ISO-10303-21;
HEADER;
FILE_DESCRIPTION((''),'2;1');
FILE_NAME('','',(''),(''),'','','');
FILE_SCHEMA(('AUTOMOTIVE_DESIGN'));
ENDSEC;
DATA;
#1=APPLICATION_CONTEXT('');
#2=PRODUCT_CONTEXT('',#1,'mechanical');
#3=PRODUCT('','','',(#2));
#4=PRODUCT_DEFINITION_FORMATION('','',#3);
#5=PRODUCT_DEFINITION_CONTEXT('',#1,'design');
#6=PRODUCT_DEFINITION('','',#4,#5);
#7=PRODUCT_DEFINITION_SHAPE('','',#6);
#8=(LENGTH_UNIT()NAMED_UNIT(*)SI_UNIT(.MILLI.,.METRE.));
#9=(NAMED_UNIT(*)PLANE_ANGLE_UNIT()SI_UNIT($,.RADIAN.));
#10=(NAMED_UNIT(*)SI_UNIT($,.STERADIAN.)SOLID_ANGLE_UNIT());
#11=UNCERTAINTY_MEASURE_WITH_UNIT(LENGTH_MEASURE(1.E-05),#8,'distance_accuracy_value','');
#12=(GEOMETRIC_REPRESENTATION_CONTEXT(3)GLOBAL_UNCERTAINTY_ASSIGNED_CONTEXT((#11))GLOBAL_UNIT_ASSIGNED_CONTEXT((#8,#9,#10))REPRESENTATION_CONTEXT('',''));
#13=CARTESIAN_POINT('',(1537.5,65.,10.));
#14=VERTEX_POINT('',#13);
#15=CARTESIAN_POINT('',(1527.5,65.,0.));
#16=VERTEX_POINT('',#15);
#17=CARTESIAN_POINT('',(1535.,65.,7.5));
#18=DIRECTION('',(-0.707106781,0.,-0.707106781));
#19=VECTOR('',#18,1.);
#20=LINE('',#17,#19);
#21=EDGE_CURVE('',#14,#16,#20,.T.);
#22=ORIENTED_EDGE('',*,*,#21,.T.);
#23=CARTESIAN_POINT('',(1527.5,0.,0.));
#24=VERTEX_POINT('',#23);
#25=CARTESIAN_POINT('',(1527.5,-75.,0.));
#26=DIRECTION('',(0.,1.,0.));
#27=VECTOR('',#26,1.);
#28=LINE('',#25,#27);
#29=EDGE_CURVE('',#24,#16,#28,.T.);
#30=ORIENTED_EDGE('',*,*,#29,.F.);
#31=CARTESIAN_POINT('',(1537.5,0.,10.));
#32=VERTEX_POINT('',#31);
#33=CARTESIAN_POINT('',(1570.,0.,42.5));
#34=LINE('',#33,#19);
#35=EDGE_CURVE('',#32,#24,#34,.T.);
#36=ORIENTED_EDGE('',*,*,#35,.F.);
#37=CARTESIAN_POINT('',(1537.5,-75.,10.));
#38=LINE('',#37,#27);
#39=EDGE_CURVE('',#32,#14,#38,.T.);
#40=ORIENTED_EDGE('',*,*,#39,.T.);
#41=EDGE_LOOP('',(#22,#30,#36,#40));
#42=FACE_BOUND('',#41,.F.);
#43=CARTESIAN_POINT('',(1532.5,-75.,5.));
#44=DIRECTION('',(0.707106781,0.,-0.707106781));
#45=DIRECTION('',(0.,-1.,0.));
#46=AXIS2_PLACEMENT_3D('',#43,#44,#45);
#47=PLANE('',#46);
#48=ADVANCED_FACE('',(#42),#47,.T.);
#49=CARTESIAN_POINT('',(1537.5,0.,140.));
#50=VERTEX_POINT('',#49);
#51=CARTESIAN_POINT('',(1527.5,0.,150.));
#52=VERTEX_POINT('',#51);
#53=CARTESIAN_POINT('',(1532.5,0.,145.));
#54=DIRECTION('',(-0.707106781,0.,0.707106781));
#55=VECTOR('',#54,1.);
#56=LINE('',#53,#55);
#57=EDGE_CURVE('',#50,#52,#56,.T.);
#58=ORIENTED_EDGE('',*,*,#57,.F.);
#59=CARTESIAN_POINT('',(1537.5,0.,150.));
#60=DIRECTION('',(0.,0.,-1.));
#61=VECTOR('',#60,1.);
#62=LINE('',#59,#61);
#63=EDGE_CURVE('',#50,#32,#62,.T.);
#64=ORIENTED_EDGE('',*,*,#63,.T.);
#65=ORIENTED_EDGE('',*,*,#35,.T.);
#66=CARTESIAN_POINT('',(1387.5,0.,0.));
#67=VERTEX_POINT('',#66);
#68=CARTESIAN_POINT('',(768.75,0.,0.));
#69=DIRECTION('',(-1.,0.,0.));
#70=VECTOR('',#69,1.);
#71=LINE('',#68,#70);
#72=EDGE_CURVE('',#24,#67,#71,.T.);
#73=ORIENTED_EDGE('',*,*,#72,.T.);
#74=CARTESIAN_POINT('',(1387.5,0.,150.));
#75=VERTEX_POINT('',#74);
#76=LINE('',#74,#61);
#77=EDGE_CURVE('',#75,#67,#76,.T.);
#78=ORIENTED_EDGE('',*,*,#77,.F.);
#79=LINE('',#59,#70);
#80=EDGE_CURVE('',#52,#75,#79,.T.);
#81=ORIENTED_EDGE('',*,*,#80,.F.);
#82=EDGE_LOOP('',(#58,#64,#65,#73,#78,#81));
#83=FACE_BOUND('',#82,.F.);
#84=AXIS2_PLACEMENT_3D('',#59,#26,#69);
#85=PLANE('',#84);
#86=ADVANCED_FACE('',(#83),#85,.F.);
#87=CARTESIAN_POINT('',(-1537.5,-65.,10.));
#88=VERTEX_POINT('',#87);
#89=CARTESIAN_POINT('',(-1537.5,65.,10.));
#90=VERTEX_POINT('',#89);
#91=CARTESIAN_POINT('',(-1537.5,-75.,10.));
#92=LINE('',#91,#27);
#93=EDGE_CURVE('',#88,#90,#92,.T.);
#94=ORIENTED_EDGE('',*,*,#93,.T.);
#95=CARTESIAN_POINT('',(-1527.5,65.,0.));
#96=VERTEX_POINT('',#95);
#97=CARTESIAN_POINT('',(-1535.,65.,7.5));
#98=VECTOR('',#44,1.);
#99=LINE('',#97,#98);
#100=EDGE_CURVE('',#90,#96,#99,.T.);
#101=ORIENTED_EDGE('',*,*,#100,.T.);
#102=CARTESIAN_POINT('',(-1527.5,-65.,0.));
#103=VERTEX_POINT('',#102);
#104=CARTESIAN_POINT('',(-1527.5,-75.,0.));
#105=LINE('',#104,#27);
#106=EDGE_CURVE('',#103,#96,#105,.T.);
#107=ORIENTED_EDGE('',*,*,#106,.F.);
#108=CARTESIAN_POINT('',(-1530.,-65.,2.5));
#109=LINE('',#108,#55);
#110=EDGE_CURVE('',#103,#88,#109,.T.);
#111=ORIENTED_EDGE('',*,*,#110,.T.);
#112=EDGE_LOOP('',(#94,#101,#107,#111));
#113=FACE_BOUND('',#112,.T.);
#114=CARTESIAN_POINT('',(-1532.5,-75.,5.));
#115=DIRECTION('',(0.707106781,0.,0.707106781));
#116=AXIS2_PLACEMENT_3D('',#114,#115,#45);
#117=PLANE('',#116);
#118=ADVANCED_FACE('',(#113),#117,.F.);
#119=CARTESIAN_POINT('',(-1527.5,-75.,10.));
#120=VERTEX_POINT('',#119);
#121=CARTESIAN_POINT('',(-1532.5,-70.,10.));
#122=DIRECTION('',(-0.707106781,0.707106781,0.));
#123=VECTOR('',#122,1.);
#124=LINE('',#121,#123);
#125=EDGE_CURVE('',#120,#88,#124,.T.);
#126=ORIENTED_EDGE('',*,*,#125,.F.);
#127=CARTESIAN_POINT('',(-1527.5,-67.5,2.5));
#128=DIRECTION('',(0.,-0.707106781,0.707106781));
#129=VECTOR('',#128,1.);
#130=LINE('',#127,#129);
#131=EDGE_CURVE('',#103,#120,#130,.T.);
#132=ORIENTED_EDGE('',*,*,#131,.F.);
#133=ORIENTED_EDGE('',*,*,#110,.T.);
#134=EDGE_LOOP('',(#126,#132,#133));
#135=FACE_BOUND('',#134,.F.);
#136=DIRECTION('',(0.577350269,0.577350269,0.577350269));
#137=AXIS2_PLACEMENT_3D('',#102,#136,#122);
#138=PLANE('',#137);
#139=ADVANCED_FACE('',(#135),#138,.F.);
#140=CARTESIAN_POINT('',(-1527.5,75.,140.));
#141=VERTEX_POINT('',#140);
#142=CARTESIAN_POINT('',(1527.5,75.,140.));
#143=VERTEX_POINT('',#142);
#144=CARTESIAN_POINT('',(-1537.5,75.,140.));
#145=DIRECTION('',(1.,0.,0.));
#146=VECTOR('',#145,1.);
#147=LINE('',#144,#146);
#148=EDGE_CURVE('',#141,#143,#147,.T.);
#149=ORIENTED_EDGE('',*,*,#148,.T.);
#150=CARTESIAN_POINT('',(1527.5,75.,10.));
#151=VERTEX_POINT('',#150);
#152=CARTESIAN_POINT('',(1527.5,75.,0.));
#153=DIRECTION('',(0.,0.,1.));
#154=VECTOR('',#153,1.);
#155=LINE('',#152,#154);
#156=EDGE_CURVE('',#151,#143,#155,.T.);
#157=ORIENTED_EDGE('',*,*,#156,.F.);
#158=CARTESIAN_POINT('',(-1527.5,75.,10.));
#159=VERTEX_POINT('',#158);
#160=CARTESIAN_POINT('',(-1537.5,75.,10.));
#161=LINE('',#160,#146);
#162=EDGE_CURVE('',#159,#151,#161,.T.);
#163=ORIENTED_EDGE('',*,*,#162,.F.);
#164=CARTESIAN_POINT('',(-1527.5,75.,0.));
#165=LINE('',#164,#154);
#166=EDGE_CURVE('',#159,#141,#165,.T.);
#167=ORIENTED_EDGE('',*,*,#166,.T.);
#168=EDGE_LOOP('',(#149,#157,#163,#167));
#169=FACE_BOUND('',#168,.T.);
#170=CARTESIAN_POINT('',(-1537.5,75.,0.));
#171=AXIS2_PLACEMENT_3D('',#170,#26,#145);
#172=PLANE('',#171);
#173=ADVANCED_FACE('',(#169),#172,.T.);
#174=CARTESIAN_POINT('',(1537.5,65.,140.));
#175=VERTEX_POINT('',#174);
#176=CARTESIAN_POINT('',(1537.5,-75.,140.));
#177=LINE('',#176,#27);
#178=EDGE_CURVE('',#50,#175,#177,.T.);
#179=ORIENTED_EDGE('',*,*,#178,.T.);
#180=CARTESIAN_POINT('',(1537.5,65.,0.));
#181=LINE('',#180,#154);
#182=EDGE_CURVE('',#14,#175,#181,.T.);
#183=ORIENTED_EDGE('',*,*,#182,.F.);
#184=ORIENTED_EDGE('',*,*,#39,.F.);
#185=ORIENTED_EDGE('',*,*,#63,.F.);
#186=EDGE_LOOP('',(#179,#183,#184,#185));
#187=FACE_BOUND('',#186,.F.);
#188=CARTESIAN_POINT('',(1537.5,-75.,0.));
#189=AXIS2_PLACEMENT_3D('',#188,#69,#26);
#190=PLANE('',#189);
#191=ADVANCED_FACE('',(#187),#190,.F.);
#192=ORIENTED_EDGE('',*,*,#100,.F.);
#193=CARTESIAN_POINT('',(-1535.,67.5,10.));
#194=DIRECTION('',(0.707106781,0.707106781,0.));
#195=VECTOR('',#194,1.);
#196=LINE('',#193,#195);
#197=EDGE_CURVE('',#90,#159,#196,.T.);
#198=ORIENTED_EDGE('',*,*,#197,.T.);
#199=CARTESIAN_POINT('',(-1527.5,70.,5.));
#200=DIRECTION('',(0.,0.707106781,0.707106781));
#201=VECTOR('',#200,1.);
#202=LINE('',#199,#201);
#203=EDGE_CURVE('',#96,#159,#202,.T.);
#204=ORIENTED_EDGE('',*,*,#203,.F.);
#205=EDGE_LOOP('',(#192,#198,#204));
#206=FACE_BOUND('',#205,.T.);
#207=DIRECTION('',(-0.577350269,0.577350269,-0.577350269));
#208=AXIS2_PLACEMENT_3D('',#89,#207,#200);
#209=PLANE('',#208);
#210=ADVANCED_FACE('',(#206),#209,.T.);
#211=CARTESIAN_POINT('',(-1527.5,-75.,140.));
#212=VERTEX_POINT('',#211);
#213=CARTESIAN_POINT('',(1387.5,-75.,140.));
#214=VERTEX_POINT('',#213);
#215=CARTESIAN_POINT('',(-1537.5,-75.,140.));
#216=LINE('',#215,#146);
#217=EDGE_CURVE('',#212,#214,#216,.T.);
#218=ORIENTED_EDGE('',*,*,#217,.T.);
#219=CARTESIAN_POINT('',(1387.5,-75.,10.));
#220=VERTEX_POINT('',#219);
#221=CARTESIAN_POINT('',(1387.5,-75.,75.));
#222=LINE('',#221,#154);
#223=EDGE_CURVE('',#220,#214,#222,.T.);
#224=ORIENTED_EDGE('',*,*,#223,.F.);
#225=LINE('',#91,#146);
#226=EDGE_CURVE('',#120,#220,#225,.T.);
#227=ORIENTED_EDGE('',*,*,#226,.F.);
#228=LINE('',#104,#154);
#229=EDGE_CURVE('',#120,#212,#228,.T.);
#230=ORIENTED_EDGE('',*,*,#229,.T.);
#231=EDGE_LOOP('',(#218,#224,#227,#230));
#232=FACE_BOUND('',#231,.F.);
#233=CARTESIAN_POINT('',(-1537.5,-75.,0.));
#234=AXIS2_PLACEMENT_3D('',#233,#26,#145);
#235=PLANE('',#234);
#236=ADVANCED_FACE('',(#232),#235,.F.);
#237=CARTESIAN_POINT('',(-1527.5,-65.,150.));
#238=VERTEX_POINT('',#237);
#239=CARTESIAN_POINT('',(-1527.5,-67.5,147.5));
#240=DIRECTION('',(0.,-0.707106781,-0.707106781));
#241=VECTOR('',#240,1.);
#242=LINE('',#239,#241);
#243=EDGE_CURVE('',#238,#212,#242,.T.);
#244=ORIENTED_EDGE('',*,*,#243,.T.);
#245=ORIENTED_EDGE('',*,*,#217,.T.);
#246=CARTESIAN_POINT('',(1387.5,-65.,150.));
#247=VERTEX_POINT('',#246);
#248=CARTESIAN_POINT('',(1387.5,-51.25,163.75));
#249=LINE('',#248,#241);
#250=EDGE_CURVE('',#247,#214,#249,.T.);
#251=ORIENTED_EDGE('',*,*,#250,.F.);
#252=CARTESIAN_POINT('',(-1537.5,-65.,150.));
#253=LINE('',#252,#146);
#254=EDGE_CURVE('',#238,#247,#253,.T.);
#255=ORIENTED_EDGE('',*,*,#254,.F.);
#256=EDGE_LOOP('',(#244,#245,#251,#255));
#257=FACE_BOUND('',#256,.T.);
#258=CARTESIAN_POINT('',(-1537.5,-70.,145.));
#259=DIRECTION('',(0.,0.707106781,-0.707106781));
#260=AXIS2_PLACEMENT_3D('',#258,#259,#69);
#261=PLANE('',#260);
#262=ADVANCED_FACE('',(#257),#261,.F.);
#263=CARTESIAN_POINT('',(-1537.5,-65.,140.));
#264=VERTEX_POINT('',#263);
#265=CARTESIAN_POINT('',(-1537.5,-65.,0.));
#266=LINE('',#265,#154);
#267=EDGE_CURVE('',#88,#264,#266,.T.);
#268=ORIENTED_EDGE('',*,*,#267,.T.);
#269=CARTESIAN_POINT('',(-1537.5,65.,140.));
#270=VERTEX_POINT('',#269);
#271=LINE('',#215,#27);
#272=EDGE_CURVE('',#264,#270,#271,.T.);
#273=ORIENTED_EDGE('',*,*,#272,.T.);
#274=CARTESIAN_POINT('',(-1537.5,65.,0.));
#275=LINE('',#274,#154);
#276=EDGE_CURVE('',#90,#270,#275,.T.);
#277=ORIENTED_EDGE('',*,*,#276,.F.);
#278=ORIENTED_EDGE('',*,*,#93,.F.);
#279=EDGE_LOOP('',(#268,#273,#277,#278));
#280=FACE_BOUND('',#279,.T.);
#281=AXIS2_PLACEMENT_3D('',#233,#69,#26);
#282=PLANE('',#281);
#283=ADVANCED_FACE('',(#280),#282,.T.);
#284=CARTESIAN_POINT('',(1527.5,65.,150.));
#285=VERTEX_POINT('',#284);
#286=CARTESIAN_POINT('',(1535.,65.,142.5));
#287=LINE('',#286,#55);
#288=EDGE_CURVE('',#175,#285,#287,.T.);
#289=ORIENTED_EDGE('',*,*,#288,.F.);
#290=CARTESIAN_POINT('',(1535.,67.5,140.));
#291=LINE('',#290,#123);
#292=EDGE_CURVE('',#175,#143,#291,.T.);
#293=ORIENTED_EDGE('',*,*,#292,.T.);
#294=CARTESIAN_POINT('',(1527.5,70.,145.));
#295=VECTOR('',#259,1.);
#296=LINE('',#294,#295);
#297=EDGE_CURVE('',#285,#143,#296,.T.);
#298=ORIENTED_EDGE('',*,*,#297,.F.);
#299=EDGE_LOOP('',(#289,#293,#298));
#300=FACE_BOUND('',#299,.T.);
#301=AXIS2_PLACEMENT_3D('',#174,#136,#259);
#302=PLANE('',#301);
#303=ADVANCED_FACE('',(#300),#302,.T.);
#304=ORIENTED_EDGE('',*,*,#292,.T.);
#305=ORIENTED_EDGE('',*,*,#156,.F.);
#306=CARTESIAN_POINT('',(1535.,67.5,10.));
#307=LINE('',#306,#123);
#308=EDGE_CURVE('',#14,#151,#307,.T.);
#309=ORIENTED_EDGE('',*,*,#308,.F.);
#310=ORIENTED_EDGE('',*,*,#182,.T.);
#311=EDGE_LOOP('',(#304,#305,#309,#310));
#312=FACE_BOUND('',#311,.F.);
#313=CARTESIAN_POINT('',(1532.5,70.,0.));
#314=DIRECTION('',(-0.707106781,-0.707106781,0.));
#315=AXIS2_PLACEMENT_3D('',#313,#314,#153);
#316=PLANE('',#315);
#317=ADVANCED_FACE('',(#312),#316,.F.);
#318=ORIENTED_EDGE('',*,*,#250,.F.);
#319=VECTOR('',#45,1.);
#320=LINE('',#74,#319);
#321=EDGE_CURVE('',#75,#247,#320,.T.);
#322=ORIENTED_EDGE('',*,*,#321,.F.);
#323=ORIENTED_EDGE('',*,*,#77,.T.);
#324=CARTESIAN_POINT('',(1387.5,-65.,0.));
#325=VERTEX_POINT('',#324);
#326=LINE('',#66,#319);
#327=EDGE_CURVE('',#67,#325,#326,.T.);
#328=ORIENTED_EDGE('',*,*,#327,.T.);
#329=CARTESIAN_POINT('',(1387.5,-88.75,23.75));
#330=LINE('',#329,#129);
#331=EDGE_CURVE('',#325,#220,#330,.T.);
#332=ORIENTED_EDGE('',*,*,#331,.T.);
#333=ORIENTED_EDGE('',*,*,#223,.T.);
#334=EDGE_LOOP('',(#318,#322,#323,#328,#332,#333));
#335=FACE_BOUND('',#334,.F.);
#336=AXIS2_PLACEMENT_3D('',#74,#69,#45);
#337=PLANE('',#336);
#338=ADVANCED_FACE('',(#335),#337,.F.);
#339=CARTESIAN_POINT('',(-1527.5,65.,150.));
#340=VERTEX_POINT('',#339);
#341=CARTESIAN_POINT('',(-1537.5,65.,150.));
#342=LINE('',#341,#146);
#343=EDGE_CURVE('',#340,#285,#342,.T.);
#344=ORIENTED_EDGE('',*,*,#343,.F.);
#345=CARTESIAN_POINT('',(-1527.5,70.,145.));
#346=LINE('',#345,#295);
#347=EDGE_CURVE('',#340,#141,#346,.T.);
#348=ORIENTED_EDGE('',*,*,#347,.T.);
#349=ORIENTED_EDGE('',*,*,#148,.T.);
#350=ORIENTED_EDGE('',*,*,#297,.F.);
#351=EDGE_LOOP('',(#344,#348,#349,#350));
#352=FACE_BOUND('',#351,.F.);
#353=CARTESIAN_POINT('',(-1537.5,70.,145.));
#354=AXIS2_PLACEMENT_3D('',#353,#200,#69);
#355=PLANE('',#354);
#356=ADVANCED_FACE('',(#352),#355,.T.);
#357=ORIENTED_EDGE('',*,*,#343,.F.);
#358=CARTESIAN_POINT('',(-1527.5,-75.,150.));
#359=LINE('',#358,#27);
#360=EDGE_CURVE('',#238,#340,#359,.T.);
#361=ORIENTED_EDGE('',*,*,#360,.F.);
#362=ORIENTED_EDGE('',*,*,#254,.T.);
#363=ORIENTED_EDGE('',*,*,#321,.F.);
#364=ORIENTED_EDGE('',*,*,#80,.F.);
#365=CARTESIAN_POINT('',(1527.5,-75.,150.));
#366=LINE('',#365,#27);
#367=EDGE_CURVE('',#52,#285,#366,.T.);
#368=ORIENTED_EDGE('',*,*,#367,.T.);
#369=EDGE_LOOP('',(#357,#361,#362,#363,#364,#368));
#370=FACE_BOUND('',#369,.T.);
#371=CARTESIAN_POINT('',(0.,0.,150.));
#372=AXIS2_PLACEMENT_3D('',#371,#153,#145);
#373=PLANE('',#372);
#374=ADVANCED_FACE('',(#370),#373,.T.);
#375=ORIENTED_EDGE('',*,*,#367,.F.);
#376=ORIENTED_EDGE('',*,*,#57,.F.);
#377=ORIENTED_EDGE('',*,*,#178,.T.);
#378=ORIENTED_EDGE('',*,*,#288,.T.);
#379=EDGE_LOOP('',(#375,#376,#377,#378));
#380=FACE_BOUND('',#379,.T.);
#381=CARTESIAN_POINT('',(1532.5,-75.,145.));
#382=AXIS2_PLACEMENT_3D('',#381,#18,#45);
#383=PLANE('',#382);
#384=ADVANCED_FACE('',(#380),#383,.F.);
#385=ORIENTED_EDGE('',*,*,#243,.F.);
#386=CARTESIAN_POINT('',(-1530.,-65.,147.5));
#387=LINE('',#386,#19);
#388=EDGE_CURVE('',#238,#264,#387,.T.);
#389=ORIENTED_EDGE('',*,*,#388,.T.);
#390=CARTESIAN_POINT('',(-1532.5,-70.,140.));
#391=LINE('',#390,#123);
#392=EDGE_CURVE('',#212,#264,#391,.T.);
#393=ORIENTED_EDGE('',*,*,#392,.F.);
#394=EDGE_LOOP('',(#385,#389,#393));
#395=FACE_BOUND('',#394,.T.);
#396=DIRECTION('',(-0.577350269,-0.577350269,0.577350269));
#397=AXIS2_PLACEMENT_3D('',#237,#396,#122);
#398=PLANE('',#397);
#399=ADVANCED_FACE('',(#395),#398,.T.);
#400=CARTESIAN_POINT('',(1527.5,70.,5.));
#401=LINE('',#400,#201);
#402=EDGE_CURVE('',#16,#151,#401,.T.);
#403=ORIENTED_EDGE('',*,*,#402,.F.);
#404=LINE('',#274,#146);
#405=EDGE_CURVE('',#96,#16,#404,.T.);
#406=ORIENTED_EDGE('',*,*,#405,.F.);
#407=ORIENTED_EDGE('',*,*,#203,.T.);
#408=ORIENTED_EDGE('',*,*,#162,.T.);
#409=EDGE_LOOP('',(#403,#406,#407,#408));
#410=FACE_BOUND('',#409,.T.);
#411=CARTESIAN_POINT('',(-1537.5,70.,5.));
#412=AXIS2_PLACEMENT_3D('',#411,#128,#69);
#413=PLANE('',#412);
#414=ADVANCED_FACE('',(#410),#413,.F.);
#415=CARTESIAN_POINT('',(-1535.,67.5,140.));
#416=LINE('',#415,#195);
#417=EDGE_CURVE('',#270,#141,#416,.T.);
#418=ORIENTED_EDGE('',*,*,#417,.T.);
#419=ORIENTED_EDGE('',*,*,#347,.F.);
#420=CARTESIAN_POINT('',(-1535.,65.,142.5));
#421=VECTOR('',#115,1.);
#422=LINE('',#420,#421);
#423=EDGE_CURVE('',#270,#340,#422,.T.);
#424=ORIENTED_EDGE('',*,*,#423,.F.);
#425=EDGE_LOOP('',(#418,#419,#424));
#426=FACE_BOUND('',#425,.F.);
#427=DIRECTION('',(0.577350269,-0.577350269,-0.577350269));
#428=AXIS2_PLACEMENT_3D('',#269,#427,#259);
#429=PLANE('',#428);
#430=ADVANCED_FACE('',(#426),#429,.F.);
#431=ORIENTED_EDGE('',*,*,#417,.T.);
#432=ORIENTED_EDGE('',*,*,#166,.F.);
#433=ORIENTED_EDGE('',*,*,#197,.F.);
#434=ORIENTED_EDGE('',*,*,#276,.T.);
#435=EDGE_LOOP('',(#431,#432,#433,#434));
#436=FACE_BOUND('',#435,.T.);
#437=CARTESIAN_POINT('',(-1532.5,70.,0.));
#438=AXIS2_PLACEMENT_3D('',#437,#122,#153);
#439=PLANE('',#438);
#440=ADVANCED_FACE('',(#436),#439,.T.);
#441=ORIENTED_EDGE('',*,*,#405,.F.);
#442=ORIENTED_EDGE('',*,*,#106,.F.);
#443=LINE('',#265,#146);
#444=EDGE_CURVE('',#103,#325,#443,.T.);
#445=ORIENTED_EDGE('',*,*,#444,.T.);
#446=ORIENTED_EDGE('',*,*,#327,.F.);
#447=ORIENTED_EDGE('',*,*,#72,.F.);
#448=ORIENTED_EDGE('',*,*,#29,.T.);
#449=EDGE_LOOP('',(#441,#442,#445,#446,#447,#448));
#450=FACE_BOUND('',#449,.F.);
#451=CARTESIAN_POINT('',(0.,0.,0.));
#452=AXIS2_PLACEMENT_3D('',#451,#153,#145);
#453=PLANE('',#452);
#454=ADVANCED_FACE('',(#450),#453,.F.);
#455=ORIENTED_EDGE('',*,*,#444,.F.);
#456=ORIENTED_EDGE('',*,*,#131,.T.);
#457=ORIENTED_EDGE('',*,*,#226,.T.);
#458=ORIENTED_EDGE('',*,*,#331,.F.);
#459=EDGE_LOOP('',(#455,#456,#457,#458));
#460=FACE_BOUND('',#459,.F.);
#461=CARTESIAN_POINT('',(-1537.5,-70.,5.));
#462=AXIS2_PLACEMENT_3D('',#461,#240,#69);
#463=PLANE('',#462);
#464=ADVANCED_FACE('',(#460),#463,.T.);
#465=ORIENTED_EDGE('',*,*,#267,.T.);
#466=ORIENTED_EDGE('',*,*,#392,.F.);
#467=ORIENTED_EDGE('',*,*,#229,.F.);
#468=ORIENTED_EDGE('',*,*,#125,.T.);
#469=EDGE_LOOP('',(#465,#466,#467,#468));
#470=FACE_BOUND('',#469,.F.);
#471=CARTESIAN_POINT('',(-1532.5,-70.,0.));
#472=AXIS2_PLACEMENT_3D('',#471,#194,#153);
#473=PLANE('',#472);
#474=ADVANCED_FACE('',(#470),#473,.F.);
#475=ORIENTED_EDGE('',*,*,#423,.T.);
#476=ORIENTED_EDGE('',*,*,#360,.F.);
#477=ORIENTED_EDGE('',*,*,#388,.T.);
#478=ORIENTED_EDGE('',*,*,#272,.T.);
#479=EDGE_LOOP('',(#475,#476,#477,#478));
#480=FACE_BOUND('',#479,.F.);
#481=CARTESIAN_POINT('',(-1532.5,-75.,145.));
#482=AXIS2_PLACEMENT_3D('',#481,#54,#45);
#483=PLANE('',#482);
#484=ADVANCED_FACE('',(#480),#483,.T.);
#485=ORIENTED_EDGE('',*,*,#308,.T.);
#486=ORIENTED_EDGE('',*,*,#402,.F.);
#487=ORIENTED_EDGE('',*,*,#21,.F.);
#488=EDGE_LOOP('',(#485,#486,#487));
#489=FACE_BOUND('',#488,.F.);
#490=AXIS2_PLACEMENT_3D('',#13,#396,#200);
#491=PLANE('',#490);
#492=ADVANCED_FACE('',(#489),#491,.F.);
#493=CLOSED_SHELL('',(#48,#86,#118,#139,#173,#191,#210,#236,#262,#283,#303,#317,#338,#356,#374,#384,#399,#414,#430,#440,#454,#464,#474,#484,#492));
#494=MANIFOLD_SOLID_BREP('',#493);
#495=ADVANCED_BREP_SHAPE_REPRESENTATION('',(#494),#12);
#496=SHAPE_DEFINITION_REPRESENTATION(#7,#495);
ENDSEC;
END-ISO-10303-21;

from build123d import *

# Parameters (mm, degrees)
F0_W     = 3075
F0_H     = 150
F1_DEPTH = 150
F2_SIZE  = 10
F3_W     = 140
F3_H     = 65
F4_DEPTH = 150.001


with BuildPart() as f1:
    # F0 (on Top) → F1 (new body)
    with BuildSketch(Plane.XY):
        Rectangle(F0_W, F0_H)
    extrude(amount=F1_DEPTH)

    # F2
    f2_edges = [f1.edges().sort_by_distance(p)[0] for p in [
        (-1537.5, -75, 75),
        (1537.5, -75, 75),
        (0, -75, 0),
        (0, -75, 150),
        (0, 75, 150),
        (-1537.5, 0, 150),
        (1537.5, 0, 150),
        (0, 75, 0),
        (-1537.5, 0, 0),
        (1537.5, 0, 0),
        (1537.5, 75, 75),
        (-1537.5, 75, 75),
    ]]
    chamfer(f2_edges, length=F2_SIZE)

    # F3 (on face) → F4 (cut, through all)
    with BuildSketch(Plane.XY.offset(150)):
        Polygon((1537.5, 0), (1527.5, 0), (1527.5, -65), (1387.5, -65), (1387.5, -79.808988), (1537.5, -79.808988), align=None)
        with Locations((1457.5, -32.5)):
            Rectangle(F3_W, F3_H)
    extrude(amount=-F4_DEPTH, mode=Mode.SUBTRACT)


solid = f1.part
